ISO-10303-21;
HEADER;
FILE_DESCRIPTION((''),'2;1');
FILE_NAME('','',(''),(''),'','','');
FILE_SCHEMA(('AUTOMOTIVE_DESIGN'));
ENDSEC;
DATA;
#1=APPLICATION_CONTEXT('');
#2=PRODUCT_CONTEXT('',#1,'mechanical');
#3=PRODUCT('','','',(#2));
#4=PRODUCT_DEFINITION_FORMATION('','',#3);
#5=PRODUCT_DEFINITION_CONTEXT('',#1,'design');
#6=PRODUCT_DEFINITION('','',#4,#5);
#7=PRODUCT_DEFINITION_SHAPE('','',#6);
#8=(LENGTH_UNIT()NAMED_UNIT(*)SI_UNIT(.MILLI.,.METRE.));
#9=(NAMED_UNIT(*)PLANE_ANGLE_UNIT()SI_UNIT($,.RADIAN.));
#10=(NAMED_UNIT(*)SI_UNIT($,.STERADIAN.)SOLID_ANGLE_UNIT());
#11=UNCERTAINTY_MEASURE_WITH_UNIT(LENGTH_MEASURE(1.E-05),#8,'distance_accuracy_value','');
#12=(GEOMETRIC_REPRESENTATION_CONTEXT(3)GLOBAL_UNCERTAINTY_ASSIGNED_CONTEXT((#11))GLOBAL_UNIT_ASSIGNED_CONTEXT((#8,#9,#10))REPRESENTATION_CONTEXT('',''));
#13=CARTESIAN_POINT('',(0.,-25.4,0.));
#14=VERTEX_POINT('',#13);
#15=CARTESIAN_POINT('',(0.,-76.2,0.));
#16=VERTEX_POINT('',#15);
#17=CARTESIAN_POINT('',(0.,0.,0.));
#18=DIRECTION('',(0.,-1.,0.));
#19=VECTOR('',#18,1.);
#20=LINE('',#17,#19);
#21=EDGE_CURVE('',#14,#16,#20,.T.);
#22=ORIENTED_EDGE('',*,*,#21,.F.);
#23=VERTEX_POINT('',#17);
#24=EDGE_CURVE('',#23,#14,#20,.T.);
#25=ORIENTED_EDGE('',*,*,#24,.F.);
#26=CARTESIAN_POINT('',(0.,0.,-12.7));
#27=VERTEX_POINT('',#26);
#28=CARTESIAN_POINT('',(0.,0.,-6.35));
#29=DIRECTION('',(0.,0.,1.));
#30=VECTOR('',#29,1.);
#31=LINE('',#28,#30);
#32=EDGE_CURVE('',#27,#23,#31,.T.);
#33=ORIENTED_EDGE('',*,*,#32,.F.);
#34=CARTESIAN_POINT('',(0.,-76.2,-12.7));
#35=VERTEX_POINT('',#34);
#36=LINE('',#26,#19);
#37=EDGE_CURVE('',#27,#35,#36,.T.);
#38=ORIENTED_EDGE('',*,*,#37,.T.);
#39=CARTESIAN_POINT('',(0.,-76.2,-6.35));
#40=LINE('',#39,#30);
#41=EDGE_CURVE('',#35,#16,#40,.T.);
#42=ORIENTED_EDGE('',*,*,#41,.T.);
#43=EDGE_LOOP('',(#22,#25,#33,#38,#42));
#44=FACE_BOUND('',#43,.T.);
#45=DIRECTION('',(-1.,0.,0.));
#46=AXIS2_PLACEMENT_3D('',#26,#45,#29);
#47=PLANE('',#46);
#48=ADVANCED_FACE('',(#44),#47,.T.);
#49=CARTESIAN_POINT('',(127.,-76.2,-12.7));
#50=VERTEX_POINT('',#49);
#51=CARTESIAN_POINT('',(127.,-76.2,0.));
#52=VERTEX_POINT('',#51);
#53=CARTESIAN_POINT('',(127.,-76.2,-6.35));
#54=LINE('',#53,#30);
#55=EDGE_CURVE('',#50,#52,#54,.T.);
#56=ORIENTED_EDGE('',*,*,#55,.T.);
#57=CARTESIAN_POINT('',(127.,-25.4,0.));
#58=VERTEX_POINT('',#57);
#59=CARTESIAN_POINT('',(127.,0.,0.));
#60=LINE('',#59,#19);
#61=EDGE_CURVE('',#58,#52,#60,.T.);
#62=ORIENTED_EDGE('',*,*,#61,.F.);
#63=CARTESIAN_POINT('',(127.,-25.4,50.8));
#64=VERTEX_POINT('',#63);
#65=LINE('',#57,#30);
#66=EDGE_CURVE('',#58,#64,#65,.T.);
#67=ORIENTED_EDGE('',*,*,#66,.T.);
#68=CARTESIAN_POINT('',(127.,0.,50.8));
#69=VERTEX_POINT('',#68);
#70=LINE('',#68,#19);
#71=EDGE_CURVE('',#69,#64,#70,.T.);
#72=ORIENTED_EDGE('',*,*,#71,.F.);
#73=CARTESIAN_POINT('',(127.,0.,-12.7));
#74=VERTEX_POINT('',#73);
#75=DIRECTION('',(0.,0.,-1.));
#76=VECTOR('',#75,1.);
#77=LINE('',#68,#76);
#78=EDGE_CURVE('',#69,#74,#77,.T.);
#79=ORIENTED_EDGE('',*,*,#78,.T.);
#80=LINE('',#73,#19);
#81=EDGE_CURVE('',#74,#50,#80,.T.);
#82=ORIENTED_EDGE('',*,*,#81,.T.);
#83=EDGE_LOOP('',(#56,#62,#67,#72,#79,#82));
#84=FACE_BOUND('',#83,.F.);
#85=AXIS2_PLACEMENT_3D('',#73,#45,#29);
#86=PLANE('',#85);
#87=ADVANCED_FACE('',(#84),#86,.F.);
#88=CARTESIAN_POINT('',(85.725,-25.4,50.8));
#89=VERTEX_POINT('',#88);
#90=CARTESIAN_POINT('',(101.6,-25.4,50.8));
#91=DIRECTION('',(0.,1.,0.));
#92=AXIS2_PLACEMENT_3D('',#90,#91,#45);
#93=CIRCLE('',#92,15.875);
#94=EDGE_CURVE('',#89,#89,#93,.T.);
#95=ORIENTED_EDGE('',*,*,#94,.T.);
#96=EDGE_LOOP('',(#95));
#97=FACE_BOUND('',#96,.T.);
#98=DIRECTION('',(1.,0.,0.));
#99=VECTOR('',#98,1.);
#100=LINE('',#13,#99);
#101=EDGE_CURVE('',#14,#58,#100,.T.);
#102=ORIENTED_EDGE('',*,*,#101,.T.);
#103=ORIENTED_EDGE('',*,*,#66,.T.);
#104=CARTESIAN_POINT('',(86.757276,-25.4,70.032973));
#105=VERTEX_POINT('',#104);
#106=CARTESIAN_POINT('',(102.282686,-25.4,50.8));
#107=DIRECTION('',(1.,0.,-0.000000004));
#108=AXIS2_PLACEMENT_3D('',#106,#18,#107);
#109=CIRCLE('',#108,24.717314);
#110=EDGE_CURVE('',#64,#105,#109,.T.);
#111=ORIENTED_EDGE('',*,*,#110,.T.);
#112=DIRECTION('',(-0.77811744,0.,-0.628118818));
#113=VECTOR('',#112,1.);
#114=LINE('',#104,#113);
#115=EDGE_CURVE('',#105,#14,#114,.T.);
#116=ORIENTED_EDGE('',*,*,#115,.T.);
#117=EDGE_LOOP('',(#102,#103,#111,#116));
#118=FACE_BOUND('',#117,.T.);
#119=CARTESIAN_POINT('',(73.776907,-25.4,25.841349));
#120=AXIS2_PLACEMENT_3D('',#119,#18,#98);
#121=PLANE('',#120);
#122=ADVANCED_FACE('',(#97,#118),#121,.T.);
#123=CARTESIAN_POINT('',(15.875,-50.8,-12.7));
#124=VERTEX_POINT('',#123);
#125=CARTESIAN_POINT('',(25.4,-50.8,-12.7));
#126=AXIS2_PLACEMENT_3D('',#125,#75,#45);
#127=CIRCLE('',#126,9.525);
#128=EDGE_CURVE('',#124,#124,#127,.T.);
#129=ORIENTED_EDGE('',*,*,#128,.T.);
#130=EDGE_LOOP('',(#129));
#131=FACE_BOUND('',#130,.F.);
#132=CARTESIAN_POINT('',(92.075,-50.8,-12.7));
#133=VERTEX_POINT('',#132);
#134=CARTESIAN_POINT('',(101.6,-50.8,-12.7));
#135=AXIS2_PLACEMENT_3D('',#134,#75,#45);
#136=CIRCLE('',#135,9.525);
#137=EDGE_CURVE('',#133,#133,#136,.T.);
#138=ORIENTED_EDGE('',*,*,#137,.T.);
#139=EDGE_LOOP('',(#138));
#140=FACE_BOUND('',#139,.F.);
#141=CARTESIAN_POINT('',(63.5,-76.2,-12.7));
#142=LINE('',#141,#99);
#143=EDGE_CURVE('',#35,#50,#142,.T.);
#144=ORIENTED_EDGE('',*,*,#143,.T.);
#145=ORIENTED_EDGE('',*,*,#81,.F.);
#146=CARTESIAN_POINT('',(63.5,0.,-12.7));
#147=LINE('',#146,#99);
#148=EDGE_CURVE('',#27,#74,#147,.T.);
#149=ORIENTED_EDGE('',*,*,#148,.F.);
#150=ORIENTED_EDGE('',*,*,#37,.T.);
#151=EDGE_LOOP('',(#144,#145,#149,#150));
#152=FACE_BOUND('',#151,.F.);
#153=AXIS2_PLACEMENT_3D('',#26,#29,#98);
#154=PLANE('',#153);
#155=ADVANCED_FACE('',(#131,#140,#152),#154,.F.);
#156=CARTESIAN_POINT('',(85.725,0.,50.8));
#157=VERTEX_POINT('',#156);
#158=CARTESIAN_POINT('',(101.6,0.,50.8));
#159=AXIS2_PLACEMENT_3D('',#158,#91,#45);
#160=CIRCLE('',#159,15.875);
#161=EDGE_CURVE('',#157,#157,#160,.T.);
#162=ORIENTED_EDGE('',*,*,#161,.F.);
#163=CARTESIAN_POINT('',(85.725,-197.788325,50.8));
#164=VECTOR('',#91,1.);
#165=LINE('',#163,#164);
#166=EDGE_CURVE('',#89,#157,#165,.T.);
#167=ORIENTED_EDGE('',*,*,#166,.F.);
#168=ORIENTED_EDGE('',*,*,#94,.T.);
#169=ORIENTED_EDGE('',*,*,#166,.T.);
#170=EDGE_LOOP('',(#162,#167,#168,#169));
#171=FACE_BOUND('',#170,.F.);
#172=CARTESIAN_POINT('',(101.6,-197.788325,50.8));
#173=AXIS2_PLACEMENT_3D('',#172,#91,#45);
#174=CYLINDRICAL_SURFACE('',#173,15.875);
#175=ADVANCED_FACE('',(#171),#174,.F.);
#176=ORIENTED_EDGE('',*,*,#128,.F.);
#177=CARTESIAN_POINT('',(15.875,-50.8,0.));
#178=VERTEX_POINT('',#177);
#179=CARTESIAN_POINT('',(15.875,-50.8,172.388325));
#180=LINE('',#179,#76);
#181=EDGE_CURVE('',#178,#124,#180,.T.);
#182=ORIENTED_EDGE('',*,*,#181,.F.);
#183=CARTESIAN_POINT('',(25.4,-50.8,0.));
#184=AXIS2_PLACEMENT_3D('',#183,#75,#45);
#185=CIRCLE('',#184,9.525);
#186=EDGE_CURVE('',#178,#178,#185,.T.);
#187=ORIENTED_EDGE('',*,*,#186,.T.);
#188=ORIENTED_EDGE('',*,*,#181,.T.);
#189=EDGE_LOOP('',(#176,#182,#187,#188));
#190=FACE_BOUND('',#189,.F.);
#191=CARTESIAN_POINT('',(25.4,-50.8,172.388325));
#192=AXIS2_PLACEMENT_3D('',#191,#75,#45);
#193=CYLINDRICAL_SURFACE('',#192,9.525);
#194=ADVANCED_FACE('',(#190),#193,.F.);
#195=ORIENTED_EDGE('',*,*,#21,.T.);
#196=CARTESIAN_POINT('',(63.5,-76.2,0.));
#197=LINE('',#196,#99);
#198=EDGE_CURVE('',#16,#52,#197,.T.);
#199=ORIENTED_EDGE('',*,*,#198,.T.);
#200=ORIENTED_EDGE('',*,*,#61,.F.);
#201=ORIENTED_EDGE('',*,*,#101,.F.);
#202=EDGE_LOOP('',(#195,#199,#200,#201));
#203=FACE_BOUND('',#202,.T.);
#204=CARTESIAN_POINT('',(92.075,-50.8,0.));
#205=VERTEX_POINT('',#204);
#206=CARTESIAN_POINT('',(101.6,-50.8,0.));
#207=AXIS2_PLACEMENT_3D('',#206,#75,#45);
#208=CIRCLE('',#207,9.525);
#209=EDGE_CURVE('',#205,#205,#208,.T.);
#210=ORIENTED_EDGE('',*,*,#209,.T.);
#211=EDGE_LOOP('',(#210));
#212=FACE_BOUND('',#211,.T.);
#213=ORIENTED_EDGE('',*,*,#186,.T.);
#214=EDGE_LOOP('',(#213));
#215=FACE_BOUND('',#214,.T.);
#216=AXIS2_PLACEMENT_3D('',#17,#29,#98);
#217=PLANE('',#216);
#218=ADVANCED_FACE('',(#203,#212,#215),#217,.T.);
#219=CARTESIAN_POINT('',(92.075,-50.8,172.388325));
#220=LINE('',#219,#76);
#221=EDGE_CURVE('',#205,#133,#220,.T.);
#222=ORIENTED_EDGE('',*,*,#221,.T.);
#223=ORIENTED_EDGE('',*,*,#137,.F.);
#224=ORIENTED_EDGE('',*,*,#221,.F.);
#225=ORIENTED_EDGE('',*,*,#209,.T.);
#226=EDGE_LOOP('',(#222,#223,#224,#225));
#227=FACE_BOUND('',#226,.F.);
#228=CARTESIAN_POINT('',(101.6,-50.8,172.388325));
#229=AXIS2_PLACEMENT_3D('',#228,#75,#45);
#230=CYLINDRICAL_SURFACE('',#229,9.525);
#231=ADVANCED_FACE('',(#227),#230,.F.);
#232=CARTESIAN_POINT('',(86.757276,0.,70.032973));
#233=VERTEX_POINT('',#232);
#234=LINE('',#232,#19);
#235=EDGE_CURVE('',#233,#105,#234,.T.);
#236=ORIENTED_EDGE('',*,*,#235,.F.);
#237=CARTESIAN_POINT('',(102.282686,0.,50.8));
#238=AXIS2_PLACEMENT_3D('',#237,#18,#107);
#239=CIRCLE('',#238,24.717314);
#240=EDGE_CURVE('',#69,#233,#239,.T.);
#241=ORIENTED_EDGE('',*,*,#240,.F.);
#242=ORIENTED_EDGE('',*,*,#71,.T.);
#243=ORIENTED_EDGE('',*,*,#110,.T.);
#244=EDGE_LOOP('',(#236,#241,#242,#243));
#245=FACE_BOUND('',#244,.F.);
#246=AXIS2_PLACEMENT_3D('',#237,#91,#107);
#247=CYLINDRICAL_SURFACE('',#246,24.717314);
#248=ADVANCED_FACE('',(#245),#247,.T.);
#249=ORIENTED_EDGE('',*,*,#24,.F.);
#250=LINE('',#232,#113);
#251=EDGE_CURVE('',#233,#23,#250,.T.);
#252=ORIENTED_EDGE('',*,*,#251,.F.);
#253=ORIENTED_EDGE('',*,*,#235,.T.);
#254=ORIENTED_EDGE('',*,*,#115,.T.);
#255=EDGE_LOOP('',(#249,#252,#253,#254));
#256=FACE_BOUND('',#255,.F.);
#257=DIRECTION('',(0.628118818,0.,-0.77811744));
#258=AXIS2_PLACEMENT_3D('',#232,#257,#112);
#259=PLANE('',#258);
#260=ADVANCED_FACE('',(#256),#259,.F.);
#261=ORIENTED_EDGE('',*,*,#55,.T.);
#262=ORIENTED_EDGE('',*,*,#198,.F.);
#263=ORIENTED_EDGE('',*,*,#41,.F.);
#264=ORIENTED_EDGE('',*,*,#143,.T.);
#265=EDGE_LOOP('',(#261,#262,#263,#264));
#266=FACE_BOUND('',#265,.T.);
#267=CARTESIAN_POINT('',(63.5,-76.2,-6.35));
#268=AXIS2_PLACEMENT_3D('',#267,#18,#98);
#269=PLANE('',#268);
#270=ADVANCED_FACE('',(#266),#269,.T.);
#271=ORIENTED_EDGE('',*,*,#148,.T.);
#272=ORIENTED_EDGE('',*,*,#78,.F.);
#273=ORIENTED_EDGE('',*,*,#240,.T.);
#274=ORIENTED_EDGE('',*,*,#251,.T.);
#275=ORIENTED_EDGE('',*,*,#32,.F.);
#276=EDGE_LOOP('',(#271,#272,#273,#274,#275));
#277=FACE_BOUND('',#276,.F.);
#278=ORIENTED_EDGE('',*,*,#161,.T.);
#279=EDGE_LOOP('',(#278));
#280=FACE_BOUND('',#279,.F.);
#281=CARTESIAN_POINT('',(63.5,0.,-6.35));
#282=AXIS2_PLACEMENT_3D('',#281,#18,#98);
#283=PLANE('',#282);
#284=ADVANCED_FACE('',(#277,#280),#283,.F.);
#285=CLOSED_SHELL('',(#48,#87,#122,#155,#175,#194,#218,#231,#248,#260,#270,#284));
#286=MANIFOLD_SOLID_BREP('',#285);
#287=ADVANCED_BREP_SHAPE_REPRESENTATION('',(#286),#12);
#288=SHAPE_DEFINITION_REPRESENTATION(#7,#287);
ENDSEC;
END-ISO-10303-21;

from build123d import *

# Parameters (mm, degrees)
F1_DEPTH = 25.4
F2_W     = 127
F2_H     = 12.7
F3_DEPTH = 76.2
F5_D     = 31.75
F7_D     = 19.05
F9_D     = 19.05


with BuildPart() as f1:
    # F0 (on Front) → F1 (new body)
    with BuildSketch(Plane.XZ):
        with BuildLine():
            Line((86.757276, 70.032973), (0, 0))
            Line((0, 0), (127, 0))
            Line((127, 0), (127, 50.8))
            ThreePointArc((127, 50.8), (112.940997, 73.101256), (86.757276, 70.032973))
        make_face()
    extrude(amount=F1_DEPTH)

    # F2 (on Front) → F3 (join)
    with BuildSketch(Plane.XZ):
        with Locations((63.5, -6.35)):
            Rectangle(F2_W, F2_H)
    extrude(amount=F3_DEPTH)

    # F5 (through all)
    with Locations(Plane.XZ.offset(25.4)):
        with Locations((101.6, 50.8)):
            Hole(F5_D / 2)

    # F7 (through all)
    with Locations(Plane.XY):
        with Locations((25.4, -50.8)):
            Hole(F7_D / 2)

    # F9 (through all)
    with Locations(Plane.XY):
        with Locations((101.6, -50.8)):
            Hole(F9_D / 2)


solid = f1.part
